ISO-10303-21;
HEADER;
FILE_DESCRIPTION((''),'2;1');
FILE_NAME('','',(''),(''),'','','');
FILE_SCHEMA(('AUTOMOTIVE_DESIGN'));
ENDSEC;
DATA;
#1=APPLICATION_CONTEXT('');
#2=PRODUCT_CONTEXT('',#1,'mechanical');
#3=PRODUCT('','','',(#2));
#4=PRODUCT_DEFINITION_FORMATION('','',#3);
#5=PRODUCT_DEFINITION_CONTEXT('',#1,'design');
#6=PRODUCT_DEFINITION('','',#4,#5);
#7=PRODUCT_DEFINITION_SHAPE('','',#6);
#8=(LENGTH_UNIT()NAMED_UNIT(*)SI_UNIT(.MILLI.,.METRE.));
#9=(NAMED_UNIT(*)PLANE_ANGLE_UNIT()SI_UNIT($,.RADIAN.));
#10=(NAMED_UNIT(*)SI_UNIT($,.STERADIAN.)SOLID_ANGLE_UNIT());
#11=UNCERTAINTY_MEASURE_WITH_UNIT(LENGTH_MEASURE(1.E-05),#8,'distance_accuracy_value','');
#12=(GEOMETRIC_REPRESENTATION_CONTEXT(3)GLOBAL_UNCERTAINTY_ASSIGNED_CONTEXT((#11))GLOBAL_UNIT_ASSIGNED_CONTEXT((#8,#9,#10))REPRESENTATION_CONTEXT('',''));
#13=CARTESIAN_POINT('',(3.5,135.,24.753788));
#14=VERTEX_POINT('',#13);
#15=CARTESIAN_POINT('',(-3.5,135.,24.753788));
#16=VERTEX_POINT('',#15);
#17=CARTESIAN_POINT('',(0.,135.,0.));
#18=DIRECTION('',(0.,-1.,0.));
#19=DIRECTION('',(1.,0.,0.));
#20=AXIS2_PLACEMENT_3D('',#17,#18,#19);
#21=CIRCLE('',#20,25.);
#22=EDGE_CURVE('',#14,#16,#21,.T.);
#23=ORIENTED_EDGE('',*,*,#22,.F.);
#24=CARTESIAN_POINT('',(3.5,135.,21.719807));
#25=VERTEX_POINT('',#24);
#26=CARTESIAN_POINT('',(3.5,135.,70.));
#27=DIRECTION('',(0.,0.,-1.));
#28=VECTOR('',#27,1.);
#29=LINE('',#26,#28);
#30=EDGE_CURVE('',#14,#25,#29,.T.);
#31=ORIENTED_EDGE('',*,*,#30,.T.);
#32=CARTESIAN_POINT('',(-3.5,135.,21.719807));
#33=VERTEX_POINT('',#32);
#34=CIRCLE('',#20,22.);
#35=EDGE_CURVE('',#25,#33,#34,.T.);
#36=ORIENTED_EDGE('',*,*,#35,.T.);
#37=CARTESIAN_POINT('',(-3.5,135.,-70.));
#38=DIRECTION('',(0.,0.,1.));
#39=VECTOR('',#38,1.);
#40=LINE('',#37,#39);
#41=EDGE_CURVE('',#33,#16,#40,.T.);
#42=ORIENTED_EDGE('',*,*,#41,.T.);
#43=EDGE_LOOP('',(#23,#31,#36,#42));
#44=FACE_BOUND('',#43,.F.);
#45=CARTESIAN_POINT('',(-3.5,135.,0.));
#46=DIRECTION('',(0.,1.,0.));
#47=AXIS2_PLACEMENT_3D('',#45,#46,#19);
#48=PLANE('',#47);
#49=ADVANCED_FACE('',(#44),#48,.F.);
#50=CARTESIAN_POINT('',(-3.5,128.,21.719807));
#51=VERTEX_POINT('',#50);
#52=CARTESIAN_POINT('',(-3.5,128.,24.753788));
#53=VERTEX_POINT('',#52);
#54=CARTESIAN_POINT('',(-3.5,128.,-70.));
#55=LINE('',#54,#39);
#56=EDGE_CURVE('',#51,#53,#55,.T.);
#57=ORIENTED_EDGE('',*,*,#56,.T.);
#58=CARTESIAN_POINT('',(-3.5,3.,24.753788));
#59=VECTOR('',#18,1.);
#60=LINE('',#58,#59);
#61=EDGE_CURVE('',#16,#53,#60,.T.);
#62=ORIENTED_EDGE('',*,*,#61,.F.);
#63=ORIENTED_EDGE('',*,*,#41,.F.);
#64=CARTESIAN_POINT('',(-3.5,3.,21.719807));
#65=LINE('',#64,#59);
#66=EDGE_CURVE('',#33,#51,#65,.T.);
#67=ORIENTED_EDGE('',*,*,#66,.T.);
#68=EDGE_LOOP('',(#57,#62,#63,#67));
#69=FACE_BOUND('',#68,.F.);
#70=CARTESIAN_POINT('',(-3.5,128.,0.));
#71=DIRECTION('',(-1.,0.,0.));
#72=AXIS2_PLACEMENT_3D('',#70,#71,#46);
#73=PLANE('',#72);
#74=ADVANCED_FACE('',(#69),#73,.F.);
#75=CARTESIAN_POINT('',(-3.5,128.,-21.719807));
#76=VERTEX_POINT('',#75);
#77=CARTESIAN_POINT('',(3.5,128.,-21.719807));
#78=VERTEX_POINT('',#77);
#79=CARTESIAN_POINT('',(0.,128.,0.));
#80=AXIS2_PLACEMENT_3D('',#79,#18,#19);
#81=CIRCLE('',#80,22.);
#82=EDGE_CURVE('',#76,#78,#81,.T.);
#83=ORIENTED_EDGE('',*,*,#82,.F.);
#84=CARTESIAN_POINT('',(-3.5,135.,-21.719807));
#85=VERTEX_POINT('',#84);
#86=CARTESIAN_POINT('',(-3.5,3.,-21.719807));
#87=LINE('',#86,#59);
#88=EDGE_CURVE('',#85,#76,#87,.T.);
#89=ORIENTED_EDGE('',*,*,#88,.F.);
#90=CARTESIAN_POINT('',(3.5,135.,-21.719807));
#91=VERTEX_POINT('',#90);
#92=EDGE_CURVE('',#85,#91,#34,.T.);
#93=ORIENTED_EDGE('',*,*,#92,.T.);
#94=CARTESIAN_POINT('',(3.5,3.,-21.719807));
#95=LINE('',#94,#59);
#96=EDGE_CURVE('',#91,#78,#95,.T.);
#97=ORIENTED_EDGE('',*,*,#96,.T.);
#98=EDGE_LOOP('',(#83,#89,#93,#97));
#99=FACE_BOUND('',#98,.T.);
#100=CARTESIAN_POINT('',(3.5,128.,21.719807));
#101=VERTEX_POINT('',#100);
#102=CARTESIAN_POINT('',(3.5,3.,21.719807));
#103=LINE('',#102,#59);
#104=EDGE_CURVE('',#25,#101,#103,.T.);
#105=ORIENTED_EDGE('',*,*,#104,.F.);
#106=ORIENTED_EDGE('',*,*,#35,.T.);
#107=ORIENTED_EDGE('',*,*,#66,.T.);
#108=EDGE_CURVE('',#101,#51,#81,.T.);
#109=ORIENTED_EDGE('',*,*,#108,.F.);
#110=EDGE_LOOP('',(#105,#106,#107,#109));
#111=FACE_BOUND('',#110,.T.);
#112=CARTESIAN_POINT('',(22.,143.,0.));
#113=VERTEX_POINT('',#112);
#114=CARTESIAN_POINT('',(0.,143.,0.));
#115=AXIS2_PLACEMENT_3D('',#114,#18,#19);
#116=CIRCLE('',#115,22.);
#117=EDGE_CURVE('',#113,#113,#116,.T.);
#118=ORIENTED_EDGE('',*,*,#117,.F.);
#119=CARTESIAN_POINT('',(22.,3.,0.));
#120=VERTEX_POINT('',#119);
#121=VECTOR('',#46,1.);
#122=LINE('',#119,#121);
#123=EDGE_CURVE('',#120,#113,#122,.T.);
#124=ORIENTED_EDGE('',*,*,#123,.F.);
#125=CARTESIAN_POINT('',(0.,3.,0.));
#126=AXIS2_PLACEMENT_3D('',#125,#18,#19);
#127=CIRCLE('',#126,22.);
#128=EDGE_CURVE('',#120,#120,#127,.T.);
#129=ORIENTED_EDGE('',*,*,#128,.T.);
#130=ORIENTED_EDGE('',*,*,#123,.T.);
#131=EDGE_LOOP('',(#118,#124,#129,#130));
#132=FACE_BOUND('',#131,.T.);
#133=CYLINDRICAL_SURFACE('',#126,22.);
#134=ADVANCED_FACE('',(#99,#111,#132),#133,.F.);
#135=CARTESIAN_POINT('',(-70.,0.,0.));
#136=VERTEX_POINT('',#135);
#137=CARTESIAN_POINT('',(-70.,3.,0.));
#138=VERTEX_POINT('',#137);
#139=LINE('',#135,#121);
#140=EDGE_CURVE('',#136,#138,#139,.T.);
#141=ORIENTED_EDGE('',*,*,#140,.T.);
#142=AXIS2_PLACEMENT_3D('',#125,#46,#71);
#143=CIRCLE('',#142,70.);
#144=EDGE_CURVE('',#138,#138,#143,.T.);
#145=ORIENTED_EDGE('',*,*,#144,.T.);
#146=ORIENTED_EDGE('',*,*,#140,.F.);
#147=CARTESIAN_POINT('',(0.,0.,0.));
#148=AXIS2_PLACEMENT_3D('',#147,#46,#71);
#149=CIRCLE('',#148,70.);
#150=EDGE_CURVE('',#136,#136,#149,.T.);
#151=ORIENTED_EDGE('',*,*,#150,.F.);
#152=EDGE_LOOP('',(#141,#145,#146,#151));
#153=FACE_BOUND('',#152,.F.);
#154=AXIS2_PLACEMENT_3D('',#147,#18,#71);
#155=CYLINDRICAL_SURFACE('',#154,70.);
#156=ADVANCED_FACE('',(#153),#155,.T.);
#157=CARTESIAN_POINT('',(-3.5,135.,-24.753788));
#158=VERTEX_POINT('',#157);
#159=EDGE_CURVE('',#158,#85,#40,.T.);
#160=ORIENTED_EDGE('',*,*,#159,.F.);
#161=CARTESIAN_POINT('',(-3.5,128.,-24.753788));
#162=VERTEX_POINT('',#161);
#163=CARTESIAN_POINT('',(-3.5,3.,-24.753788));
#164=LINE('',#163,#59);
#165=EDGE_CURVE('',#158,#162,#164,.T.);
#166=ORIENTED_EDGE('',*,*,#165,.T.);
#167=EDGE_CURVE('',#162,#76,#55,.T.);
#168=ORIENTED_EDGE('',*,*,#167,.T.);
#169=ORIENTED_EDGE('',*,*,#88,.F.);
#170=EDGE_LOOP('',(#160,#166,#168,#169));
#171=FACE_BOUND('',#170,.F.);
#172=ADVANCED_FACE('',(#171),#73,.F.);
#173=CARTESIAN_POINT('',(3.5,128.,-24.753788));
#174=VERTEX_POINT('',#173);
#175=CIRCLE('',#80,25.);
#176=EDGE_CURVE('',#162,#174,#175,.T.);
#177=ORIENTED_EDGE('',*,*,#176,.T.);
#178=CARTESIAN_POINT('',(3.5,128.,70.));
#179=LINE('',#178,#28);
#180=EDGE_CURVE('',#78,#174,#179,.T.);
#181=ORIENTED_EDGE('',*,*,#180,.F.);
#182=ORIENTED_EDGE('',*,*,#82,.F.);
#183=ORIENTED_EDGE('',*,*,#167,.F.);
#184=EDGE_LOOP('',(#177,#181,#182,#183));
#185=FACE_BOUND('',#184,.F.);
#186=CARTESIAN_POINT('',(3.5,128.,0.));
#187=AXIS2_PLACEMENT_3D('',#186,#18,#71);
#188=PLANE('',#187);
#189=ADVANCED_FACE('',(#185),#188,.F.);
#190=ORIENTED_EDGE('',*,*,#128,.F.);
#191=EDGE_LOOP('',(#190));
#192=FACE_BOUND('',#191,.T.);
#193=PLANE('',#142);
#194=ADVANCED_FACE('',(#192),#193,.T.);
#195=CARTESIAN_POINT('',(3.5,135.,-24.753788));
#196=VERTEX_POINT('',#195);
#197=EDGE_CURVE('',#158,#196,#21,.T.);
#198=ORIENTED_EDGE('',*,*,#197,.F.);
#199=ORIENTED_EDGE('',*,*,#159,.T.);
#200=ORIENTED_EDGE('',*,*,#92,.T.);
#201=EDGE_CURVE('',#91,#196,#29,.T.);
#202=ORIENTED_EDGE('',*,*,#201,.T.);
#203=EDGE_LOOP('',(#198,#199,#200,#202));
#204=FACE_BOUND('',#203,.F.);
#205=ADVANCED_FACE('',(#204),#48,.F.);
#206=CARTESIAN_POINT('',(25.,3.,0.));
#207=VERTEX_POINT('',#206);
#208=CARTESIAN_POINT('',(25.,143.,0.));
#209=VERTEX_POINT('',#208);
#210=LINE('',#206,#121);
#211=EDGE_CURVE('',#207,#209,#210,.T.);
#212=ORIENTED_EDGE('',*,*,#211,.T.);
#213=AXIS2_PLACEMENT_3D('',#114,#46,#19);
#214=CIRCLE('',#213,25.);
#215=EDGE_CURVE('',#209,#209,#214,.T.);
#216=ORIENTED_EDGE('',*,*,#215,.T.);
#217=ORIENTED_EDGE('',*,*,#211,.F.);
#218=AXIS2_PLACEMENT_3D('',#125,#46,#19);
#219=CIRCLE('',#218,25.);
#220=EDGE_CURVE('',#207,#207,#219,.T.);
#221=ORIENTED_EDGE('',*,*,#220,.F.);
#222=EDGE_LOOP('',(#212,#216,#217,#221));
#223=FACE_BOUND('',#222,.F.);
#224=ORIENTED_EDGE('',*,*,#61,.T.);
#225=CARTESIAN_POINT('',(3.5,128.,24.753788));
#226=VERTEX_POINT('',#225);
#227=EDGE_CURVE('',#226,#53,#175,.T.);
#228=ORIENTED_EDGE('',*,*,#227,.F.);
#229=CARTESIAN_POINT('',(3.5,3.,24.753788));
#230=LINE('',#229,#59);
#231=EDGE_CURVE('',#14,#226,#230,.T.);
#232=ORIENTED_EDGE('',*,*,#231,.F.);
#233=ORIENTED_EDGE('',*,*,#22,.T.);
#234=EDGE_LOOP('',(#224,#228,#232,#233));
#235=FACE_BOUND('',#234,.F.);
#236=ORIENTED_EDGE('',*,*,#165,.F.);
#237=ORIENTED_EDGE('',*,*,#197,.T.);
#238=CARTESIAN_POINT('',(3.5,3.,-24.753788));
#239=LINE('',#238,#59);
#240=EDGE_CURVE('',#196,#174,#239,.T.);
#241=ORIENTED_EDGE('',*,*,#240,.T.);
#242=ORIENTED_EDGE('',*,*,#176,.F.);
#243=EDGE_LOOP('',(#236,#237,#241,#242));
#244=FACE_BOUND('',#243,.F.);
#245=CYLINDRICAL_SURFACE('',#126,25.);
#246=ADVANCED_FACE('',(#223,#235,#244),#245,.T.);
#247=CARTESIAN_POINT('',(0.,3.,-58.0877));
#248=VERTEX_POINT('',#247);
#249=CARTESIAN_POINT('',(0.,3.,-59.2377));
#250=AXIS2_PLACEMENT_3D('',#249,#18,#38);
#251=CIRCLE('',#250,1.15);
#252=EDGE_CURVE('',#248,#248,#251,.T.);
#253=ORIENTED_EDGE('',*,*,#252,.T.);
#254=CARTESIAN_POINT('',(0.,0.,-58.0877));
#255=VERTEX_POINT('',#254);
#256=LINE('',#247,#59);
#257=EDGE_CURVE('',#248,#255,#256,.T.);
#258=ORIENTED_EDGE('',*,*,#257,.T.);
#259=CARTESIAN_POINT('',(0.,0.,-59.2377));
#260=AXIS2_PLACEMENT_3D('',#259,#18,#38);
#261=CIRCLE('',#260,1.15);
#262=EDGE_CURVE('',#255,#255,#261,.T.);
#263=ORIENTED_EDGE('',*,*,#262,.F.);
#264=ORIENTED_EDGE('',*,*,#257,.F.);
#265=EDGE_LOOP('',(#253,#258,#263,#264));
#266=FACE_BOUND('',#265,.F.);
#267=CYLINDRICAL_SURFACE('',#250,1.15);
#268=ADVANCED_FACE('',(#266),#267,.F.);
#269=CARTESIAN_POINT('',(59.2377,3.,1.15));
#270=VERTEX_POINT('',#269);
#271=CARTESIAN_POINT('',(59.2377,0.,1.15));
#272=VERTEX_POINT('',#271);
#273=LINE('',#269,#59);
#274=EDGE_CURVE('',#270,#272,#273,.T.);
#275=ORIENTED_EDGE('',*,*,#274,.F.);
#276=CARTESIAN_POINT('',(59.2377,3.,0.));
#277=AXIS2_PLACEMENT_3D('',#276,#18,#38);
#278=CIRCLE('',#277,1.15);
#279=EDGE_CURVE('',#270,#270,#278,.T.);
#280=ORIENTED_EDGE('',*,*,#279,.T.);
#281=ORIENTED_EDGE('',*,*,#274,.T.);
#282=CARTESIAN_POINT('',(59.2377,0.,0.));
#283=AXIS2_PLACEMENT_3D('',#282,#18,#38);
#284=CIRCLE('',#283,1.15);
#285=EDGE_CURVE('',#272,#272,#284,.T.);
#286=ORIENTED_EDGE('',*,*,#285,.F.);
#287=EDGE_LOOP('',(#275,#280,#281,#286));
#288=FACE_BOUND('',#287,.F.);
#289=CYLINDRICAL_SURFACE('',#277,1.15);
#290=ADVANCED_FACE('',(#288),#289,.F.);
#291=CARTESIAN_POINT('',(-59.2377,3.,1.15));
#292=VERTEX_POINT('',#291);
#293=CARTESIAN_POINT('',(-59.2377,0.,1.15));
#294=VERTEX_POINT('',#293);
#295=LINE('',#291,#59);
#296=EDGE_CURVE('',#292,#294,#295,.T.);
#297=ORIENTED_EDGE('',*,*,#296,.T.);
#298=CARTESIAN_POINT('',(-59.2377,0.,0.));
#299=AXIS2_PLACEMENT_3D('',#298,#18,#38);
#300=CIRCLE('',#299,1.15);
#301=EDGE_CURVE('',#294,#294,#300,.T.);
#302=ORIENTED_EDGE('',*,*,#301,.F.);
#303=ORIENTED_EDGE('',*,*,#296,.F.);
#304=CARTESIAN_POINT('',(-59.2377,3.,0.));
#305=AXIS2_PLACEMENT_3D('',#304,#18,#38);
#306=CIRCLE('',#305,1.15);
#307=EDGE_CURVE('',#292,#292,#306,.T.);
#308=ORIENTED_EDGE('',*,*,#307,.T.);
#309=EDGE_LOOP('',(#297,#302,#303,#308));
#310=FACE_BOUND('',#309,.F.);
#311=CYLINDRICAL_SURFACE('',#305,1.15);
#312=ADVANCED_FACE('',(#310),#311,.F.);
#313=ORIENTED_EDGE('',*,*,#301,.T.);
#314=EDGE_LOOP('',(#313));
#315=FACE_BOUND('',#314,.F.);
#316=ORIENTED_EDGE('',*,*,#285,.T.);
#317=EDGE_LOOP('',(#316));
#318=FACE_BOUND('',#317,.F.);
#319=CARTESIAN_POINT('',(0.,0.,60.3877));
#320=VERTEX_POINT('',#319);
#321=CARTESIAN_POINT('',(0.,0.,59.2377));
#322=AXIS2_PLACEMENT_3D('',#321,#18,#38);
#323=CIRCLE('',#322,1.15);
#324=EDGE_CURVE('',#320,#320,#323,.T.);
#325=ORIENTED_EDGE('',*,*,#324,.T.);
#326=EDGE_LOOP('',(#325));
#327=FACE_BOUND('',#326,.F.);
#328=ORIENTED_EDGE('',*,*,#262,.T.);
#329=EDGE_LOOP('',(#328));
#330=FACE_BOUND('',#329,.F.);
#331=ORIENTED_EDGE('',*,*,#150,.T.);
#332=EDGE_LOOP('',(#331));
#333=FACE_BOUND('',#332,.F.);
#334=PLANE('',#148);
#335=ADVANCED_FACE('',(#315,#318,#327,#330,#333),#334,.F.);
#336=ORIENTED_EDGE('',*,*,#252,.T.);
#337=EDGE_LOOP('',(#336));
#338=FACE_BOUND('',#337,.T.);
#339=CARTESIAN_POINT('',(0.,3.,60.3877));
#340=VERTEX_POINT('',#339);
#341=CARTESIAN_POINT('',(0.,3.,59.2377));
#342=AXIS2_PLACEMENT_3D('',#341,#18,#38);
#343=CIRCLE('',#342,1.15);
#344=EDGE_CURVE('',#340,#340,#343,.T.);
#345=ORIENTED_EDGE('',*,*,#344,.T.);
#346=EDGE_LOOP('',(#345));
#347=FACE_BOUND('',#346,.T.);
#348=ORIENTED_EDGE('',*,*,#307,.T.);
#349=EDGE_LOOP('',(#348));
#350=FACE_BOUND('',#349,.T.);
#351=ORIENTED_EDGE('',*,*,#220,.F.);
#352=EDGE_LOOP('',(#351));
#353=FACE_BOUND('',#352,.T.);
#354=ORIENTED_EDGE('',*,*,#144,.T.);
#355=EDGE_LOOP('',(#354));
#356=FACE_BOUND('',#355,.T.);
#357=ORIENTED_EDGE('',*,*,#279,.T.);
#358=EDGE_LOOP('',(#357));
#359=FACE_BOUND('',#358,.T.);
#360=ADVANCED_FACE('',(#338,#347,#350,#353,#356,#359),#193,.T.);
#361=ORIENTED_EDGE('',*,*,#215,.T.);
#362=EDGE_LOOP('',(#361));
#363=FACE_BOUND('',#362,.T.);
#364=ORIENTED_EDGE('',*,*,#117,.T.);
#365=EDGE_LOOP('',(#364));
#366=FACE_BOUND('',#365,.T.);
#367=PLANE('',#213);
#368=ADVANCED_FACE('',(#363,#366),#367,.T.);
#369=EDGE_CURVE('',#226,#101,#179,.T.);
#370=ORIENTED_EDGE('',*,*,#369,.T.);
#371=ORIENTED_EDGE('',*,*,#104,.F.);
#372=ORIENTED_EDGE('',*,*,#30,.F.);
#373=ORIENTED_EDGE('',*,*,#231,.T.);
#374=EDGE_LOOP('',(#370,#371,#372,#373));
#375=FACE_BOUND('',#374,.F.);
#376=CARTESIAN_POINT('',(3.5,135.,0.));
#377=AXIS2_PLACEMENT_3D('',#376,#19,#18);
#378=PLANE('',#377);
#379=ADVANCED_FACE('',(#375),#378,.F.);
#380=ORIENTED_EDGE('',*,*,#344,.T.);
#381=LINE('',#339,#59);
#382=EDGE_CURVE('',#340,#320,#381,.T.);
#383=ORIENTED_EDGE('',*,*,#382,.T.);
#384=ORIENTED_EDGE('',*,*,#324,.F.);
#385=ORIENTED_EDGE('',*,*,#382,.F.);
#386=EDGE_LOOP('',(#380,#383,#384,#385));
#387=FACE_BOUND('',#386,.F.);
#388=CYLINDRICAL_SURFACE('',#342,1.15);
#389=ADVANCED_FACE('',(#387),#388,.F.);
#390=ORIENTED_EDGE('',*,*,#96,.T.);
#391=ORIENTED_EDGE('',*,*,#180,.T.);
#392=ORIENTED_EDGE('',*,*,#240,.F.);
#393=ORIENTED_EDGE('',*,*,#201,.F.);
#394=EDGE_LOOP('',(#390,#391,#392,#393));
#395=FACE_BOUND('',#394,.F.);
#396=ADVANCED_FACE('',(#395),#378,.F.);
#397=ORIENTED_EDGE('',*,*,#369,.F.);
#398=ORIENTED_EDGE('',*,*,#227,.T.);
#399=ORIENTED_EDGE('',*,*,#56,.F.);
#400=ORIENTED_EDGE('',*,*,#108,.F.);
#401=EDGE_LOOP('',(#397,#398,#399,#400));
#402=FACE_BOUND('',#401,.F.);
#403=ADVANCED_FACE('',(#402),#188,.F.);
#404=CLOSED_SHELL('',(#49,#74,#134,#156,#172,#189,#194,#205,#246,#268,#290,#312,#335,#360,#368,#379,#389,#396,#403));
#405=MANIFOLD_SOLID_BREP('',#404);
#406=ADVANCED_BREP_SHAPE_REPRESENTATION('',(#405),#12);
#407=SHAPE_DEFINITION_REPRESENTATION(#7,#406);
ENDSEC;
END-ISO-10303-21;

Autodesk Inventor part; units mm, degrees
ref_plane "YZ Plane" through (0, 0, 0) normal (1, 0, 0) x (0, 1, 0)
ref_plane "XZ Plane" through (0, 0, 0) normal (0, 1, 0) x (-1, 0, 0)
ref_plane "XY Plane" through (0, 0, 0) normal (0, 0, 1) x (1, 0, 0)
sketch "Sketch1" plane through (0, 0, 0) normal (0, 1, 0) x (-1, 0, 0)
  circle A0 centre (0, 0) radius 70
  dimension "d0" = 140
extrude "Extrusion1" add sketch "Sketch1" along normal blind 3
sketch "Sketch2" plane through (0, 3, 0) normal (0, 1, 0) x (1, 0, 0)
  circle A0 centre (0, 0) radius 25
  dimension "d3" = 50
extrude "Extrusion2" add sketch "Sketch2" along normal blind 140
shell "Shell1" thickness 3 removed faces 1 at (4.976, 143, 4.8639)
sketch "Sketch3" plane through (0, 3, 0) normal (0, 1, 0) x (1, 0, 0)
  circle A0 centre (0, 0) radius 25 projected
  circle A1 centre (0, 0) radius 70 projected
  circle A2 centre (0, 0) radius 70 construction
  line L0 (-70, 0) -> (70, 0) construction
  line L1 (0, 70) -> (0, -70) construction
  line L2 (0, 0) -> (-49.4975, -49.4975) construction
  line L3 (0, 0) -> (49.4975, -49.4975) construction
  point P0 (0, -59.2377)
  point P1 (0, 59.2377)
  point P2 (-59.2377, 0)
  point P3 (59.2377, 0)
  dimension "d14" = 45
  dimension "d15" = 45
hole "Hole1" at (0, 3, 59.2377) at (0, 3, -59.2377) at (59.2377, 3, 0) at (-59.2377, 3, 0) direction (0, -1, 0) diameter 2.3 end through all
sketch "Sketch4" plane through (0, 0, 0) normal (0, 0, 1) x (1, 0, 0)
  line L0 (25, 143) -> (-25, 143) projected
  line L1 (-25, 3) -> (25, 3) projected
  line L2 (70, 3) -> (-70, 3) projected
  line L3 (70, 0) -> (-70, 0) projected
  line L4 (25, 143) -> (-25, 143) construction
  line L5 (0, 143) -> (0, 0) construction
  line L6 (0, 143) -> (0, 0) construction
  line L7 (70, 3) -> (-70, 3) construction
  line L8 (-3.5, 135) -> (3.5, 135)
  line L9 (3.5, 135) -> (3.5, 128)
  line L10 (3.5, 128) -> (-3.5, 128)
  line L11 (-3.5, 128) -> (-3.5, 135)
  line L12 (-3.5, 135) -> (3.5, 128) construction
  line L13 (3.5, 135) -> (-3.5, 128) construction
  point P0 (0, 131.5)
  dimension "d18" = 7
  dimension "d19" = 7
  dimension "d23" = 125
extrude "Extrusion3" cut sketch "Sketch4" along normal mid plane 140
properties part number "bottom card holder"
